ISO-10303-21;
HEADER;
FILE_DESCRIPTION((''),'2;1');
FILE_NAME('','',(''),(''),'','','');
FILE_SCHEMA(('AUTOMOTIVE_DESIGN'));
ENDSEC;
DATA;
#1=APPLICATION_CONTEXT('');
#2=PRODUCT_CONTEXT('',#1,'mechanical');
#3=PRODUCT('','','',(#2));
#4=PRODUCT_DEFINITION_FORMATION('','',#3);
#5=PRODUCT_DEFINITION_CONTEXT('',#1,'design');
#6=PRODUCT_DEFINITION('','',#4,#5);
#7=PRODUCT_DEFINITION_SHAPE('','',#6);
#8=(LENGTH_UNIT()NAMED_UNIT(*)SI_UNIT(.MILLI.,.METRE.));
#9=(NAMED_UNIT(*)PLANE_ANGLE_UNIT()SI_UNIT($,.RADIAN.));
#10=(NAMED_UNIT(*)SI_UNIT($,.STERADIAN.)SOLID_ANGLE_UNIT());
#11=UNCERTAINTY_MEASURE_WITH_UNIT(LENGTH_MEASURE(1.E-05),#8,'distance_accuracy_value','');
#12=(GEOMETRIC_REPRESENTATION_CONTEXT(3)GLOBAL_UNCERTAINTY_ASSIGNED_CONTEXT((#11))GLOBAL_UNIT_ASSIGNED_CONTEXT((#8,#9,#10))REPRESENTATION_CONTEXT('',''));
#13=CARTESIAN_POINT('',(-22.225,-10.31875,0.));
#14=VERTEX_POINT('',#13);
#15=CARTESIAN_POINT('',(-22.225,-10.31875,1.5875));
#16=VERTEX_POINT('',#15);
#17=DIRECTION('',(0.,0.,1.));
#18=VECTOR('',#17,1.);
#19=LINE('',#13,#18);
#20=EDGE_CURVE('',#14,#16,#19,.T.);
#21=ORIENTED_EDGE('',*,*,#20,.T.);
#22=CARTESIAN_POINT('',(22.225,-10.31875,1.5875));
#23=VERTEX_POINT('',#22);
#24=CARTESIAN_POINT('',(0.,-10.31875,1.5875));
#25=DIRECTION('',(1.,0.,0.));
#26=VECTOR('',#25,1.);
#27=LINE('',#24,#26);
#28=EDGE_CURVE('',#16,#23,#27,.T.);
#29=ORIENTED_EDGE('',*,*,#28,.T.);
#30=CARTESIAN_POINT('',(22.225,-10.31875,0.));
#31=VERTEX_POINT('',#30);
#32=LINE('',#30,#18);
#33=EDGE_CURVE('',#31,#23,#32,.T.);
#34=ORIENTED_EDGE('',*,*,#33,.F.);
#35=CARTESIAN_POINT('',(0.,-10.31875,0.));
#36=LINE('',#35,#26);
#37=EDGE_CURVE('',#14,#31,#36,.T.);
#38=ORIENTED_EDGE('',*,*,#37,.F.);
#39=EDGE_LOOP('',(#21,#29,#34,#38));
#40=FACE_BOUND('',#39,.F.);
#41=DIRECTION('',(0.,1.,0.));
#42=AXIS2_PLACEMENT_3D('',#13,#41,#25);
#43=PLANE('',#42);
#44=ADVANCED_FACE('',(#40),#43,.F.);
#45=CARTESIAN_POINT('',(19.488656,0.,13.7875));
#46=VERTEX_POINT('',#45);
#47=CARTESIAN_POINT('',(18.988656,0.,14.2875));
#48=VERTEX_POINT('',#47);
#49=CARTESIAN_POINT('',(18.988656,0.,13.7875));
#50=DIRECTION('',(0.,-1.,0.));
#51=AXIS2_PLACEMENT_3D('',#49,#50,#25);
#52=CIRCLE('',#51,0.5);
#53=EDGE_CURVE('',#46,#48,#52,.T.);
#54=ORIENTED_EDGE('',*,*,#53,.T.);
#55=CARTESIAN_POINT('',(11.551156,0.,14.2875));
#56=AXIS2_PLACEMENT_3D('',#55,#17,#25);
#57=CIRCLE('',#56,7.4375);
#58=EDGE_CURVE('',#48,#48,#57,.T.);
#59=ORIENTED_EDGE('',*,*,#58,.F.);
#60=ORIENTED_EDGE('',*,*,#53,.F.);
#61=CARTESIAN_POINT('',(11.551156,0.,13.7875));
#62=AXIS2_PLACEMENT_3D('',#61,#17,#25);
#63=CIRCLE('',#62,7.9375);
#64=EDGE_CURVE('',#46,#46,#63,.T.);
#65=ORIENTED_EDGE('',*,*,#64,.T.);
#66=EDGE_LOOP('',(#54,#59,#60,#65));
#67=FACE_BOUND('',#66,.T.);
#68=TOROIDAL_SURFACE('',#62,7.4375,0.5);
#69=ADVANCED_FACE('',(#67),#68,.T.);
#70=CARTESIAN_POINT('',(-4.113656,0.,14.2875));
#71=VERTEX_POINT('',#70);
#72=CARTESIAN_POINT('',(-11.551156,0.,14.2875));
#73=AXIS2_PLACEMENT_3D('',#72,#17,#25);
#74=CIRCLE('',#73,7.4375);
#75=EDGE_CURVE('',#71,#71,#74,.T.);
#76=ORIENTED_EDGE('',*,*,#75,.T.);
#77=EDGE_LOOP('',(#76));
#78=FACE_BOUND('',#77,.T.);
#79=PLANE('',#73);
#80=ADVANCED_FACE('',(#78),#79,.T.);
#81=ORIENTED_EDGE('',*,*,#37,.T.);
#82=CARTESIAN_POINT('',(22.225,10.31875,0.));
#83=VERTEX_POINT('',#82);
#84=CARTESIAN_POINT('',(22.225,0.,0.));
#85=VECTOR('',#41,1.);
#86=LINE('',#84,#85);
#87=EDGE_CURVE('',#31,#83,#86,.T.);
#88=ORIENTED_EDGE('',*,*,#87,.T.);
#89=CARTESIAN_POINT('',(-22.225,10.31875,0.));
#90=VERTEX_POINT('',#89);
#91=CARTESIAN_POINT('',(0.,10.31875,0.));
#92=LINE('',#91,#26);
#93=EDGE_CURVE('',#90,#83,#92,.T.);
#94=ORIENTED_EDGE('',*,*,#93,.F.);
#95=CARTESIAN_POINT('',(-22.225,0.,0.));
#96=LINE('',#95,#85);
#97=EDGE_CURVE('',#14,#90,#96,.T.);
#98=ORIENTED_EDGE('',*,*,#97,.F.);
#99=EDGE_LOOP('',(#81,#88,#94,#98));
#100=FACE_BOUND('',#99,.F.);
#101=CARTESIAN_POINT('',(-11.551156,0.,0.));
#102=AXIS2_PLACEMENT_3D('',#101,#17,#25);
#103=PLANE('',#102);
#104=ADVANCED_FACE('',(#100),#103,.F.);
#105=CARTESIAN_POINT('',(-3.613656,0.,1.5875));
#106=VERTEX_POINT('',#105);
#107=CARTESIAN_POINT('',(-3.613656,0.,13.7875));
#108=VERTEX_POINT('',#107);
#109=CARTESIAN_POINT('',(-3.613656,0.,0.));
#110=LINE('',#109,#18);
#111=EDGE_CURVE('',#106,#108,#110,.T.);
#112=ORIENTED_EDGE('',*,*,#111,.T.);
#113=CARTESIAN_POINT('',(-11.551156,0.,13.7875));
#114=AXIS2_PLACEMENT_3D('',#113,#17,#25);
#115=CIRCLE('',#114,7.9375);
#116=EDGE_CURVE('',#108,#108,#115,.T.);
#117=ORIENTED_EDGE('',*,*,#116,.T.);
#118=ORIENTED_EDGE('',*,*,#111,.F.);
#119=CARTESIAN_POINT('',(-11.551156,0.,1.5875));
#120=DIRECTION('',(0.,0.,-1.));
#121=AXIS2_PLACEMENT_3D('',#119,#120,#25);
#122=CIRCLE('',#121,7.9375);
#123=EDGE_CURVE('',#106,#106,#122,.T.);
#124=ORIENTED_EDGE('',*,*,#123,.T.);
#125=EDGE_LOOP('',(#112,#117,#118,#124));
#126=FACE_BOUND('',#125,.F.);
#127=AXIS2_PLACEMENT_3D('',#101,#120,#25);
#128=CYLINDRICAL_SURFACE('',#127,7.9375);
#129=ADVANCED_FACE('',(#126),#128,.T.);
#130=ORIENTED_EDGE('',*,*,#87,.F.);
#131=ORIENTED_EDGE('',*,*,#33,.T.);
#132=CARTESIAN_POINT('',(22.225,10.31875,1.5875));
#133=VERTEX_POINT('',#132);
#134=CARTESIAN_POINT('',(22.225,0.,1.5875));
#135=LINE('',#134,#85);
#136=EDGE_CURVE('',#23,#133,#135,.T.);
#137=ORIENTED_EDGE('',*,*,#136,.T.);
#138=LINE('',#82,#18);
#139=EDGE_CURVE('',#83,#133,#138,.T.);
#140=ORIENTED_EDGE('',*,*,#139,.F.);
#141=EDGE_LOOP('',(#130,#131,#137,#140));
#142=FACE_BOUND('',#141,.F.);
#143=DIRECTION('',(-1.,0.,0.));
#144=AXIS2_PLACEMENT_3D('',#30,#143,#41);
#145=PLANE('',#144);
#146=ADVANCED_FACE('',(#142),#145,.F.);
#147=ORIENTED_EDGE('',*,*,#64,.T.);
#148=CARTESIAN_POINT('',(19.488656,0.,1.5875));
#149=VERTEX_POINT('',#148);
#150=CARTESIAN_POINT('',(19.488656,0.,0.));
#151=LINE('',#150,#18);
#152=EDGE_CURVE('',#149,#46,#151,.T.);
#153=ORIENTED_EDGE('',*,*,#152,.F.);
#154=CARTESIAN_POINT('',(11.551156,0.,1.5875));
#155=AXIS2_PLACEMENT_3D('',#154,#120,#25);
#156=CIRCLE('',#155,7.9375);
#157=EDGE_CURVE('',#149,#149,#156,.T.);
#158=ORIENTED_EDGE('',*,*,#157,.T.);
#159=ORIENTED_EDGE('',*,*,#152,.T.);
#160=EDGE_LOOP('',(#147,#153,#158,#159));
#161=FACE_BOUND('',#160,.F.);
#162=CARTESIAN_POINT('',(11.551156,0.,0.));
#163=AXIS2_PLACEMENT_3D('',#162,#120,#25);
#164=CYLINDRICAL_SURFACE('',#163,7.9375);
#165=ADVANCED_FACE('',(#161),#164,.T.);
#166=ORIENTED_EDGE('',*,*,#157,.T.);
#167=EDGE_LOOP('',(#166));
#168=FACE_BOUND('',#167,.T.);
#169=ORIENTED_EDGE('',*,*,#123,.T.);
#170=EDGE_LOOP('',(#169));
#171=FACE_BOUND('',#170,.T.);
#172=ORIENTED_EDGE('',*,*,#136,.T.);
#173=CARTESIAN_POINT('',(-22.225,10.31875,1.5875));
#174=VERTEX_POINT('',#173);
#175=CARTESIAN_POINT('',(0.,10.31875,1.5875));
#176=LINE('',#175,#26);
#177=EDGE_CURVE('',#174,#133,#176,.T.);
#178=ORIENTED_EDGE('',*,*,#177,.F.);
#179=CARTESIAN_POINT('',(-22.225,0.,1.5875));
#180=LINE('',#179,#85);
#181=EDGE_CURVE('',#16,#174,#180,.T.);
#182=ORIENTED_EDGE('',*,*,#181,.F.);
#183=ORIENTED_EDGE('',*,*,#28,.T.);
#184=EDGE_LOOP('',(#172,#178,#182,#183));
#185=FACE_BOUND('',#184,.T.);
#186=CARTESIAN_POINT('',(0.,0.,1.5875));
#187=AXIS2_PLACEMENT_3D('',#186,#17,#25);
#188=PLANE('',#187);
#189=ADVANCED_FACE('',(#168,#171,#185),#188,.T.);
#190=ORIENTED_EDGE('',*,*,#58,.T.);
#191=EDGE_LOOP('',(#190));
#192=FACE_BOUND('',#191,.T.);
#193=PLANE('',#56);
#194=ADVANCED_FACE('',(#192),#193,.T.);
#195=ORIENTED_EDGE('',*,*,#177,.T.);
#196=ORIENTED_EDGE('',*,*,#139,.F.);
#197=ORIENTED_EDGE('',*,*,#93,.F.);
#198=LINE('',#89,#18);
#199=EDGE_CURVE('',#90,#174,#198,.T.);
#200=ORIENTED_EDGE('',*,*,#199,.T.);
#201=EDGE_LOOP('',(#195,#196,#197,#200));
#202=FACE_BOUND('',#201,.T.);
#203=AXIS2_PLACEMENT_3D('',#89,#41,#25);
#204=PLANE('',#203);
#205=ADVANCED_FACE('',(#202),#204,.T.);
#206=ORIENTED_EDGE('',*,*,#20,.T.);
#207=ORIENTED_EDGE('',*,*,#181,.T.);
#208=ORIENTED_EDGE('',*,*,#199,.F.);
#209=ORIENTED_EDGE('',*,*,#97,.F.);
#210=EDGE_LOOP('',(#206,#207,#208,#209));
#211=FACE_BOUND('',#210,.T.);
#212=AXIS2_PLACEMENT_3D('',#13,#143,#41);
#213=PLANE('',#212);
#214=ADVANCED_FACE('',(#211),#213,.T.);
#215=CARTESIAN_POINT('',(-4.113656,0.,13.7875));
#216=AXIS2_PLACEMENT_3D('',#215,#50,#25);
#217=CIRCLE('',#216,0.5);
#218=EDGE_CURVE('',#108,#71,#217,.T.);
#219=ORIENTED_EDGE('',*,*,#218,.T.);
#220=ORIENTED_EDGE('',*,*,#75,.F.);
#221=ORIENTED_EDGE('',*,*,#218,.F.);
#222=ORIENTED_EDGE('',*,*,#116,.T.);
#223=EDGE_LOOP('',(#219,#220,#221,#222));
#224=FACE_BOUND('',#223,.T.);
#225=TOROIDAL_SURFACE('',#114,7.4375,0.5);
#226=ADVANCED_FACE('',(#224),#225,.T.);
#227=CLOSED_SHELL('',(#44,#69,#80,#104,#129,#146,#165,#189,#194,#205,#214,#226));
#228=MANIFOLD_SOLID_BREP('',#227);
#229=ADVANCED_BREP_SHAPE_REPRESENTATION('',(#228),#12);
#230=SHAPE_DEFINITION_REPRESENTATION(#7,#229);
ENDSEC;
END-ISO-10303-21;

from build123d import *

# Parameters (mm, degrees)
F0_W     = 44.45
F0_H     = 20.6375
F0_R     = 7.9375
F1_DEPTH = 1.5875
F2_DEPTH = 14.2875
F3_R     = 0.5


with BuildPart() as f1:
    # F0 (on Top) → F1 (new body)
    with BuildSketch(Plane.XY):
        Rectangle(F0_W, F0_H)
        with Locations((-11.551156, 0)):
            Circle(F0_R, mode=Mode.SUBTRACT)
        with Locations((11.551156, 0)):
            Circle(F0_R, mode=Mode.SUBTRACT)
        with Locations((-11.551156, 0)):
            Circle(F0_R)
        with Locations((11.551156, 0)):
            Circle(F0_R)
    extrude(amount=F1_DEPTH)

    # F0 (on Top) → F2 (join)
    with BuildSketch(Plane.XY):
        with Locations((-11.551156, 0)):
            Circle(F0_R)
        with Locations((11.551156, 0)):
            Circle(F0_R)
    extrude(amount=F2_DEPTH)

    # F3
    f3_edges = [f1.edges().sort_by_distance(p)[0] for p in [
        (-19.488656, 0, 14.2875),
        (3.613656, 0, 14.2875),
    ]]
    fillet(f3_edges, radius=F3_R)


solid = f1.part
